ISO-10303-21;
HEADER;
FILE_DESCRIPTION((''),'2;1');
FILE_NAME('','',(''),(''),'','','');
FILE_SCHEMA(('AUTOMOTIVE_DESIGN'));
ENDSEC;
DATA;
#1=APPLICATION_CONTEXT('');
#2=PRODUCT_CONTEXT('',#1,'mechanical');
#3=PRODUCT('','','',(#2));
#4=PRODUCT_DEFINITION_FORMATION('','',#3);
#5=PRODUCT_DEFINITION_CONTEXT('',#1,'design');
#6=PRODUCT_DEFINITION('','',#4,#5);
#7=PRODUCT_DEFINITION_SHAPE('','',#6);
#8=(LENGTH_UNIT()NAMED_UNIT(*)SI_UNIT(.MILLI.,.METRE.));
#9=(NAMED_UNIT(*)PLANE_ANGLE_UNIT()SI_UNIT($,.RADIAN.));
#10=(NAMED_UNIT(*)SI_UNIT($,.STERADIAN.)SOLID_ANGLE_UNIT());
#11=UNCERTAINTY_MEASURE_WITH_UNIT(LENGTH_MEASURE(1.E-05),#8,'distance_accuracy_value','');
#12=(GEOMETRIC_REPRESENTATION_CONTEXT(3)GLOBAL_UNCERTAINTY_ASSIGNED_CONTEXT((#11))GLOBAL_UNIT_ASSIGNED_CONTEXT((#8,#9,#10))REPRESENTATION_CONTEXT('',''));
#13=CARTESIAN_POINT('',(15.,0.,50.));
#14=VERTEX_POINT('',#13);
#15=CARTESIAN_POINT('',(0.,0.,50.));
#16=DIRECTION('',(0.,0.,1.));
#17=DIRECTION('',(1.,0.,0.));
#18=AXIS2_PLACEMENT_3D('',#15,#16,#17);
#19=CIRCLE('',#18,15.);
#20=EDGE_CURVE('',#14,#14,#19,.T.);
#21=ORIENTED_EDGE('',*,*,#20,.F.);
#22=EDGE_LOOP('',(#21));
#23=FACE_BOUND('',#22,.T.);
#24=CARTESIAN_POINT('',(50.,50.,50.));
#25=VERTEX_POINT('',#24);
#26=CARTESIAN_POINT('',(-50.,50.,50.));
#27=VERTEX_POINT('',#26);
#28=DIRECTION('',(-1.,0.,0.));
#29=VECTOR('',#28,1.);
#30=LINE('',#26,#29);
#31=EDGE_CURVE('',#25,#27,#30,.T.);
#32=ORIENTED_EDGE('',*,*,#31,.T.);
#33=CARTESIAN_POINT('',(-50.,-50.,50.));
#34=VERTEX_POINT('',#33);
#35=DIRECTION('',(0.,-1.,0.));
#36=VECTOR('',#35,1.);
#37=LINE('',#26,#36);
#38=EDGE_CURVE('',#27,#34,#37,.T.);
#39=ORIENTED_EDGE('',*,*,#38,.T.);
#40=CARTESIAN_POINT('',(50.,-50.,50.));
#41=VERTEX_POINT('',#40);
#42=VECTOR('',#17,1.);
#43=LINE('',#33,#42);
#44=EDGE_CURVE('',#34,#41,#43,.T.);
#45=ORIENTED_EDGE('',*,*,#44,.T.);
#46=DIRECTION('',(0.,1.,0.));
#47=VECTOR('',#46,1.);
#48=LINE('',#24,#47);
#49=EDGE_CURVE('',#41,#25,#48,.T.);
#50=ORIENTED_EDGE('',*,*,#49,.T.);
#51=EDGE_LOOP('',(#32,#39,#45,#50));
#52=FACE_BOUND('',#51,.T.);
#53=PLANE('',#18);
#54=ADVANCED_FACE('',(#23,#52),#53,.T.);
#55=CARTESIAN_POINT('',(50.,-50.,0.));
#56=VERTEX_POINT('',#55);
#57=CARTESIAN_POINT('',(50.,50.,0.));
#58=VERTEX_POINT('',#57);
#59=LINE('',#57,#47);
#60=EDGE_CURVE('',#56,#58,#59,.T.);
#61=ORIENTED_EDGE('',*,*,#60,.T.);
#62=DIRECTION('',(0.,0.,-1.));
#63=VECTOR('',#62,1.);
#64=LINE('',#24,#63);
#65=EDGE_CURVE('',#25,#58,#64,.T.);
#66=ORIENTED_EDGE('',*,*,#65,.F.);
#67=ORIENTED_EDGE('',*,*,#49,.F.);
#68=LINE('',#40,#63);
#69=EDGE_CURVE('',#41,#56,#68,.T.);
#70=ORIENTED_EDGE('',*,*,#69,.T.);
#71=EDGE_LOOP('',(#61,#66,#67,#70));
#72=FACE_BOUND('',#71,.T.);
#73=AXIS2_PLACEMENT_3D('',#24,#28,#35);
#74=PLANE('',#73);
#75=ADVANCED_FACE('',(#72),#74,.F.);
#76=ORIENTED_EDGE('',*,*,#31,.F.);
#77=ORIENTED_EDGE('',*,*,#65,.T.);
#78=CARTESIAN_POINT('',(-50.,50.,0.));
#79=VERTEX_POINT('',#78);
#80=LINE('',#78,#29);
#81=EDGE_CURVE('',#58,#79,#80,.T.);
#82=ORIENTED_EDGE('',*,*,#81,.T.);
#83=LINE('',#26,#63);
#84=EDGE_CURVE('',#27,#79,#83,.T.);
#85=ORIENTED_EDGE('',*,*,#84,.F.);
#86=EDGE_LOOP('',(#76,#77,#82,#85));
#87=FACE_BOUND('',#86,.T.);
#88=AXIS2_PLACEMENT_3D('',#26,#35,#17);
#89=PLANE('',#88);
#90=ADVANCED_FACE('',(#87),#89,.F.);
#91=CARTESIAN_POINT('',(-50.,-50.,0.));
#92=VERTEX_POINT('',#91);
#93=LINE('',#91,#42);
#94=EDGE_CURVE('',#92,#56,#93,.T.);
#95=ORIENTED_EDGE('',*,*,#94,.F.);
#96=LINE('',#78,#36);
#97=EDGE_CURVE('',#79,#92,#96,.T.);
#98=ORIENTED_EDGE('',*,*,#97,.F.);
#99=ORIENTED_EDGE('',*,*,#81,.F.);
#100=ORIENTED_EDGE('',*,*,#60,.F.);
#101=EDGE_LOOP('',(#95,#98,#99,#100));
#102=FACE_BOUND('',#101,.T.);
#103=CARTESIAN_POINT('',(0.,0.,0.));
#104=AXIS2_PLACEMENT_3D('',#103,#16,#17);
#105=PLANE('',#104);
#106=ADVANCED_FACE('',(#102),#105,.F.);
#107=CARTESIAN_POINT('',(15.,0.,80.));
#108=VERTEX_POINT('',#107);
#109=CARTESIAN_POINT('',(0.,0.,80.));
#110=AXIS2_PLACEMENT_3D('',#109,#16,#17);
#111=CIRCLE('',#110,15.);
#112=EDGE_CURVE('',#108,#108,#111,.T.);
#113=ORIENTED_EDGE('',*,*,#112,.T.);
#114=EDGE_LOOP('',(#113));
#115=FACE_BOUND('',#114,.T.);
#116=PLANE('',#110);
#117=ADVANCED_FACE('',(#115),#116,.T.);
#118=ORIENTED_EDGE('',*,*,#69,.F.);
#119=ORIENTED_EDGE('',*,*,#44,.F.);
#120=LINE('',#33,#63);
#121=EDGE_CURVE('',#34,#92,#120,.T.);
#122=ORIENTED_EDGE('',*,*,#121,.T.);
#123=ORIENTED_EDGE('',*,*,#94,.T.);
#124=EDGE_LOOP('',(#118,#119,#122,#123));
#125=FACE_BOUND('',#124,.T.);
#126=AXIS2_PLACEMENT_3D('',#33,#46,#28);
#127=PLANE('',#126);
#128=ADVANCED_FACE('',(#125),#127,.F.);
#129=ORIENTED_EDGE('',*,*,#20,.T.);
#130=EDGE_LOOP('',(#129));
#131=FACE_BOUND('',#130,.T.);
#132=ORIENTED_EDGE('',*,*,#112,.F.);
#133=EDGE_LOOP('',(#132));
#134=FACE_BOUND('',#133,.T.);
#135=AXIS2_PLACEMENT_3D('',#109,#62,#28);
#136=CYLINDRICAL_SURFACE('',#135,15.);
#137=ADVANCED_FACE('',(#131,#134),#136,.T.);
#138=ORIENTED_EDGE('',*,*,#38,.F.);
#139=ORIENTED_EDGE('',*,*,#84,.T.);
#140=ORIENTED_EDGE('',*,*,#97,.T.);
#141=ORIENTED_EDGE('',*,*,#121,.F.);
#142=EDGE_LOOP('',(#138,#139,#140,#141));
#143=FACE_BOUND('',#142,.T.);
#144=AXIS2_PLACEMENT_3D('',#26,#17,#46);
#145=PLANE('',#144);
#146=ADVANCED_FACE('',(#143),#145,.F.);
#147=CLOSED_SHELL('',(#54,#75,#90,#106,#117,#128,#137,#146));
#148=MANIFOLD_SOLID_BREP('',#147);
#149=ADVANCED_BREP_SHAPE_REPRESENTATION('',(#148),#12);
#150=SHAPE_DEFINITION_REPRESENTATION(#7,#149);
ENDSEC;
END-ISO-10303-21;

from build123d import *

# Parameters (mm, degrees)
SKETCH1_W           = 100
SKETCH1_H           = 100
BOSS_EXTRUDE1_DEPTH = 50
SKETCH2_R           = 15
BOSS_EXTRUDE2_DEPTH = 30


with BuildPart() as part:
    # Sketch1 → Boss-Extrude1 (new body)
    with BuildSketch(Plane.XY):
        Rectangle(SKETCH1_W, SKETCH1_H)
    extrude(amount=BOSS_EXTRUDE1_DEPTH)

    # Sketch2 → Boss-Extrude2 (add)
    with BuildSketch(Plane.XY.offset(50)):
        Circle(SKETCH2_R)
    extrude(amount=BOSS_EXTRUDE2_DEPTH)


solid = part.part
